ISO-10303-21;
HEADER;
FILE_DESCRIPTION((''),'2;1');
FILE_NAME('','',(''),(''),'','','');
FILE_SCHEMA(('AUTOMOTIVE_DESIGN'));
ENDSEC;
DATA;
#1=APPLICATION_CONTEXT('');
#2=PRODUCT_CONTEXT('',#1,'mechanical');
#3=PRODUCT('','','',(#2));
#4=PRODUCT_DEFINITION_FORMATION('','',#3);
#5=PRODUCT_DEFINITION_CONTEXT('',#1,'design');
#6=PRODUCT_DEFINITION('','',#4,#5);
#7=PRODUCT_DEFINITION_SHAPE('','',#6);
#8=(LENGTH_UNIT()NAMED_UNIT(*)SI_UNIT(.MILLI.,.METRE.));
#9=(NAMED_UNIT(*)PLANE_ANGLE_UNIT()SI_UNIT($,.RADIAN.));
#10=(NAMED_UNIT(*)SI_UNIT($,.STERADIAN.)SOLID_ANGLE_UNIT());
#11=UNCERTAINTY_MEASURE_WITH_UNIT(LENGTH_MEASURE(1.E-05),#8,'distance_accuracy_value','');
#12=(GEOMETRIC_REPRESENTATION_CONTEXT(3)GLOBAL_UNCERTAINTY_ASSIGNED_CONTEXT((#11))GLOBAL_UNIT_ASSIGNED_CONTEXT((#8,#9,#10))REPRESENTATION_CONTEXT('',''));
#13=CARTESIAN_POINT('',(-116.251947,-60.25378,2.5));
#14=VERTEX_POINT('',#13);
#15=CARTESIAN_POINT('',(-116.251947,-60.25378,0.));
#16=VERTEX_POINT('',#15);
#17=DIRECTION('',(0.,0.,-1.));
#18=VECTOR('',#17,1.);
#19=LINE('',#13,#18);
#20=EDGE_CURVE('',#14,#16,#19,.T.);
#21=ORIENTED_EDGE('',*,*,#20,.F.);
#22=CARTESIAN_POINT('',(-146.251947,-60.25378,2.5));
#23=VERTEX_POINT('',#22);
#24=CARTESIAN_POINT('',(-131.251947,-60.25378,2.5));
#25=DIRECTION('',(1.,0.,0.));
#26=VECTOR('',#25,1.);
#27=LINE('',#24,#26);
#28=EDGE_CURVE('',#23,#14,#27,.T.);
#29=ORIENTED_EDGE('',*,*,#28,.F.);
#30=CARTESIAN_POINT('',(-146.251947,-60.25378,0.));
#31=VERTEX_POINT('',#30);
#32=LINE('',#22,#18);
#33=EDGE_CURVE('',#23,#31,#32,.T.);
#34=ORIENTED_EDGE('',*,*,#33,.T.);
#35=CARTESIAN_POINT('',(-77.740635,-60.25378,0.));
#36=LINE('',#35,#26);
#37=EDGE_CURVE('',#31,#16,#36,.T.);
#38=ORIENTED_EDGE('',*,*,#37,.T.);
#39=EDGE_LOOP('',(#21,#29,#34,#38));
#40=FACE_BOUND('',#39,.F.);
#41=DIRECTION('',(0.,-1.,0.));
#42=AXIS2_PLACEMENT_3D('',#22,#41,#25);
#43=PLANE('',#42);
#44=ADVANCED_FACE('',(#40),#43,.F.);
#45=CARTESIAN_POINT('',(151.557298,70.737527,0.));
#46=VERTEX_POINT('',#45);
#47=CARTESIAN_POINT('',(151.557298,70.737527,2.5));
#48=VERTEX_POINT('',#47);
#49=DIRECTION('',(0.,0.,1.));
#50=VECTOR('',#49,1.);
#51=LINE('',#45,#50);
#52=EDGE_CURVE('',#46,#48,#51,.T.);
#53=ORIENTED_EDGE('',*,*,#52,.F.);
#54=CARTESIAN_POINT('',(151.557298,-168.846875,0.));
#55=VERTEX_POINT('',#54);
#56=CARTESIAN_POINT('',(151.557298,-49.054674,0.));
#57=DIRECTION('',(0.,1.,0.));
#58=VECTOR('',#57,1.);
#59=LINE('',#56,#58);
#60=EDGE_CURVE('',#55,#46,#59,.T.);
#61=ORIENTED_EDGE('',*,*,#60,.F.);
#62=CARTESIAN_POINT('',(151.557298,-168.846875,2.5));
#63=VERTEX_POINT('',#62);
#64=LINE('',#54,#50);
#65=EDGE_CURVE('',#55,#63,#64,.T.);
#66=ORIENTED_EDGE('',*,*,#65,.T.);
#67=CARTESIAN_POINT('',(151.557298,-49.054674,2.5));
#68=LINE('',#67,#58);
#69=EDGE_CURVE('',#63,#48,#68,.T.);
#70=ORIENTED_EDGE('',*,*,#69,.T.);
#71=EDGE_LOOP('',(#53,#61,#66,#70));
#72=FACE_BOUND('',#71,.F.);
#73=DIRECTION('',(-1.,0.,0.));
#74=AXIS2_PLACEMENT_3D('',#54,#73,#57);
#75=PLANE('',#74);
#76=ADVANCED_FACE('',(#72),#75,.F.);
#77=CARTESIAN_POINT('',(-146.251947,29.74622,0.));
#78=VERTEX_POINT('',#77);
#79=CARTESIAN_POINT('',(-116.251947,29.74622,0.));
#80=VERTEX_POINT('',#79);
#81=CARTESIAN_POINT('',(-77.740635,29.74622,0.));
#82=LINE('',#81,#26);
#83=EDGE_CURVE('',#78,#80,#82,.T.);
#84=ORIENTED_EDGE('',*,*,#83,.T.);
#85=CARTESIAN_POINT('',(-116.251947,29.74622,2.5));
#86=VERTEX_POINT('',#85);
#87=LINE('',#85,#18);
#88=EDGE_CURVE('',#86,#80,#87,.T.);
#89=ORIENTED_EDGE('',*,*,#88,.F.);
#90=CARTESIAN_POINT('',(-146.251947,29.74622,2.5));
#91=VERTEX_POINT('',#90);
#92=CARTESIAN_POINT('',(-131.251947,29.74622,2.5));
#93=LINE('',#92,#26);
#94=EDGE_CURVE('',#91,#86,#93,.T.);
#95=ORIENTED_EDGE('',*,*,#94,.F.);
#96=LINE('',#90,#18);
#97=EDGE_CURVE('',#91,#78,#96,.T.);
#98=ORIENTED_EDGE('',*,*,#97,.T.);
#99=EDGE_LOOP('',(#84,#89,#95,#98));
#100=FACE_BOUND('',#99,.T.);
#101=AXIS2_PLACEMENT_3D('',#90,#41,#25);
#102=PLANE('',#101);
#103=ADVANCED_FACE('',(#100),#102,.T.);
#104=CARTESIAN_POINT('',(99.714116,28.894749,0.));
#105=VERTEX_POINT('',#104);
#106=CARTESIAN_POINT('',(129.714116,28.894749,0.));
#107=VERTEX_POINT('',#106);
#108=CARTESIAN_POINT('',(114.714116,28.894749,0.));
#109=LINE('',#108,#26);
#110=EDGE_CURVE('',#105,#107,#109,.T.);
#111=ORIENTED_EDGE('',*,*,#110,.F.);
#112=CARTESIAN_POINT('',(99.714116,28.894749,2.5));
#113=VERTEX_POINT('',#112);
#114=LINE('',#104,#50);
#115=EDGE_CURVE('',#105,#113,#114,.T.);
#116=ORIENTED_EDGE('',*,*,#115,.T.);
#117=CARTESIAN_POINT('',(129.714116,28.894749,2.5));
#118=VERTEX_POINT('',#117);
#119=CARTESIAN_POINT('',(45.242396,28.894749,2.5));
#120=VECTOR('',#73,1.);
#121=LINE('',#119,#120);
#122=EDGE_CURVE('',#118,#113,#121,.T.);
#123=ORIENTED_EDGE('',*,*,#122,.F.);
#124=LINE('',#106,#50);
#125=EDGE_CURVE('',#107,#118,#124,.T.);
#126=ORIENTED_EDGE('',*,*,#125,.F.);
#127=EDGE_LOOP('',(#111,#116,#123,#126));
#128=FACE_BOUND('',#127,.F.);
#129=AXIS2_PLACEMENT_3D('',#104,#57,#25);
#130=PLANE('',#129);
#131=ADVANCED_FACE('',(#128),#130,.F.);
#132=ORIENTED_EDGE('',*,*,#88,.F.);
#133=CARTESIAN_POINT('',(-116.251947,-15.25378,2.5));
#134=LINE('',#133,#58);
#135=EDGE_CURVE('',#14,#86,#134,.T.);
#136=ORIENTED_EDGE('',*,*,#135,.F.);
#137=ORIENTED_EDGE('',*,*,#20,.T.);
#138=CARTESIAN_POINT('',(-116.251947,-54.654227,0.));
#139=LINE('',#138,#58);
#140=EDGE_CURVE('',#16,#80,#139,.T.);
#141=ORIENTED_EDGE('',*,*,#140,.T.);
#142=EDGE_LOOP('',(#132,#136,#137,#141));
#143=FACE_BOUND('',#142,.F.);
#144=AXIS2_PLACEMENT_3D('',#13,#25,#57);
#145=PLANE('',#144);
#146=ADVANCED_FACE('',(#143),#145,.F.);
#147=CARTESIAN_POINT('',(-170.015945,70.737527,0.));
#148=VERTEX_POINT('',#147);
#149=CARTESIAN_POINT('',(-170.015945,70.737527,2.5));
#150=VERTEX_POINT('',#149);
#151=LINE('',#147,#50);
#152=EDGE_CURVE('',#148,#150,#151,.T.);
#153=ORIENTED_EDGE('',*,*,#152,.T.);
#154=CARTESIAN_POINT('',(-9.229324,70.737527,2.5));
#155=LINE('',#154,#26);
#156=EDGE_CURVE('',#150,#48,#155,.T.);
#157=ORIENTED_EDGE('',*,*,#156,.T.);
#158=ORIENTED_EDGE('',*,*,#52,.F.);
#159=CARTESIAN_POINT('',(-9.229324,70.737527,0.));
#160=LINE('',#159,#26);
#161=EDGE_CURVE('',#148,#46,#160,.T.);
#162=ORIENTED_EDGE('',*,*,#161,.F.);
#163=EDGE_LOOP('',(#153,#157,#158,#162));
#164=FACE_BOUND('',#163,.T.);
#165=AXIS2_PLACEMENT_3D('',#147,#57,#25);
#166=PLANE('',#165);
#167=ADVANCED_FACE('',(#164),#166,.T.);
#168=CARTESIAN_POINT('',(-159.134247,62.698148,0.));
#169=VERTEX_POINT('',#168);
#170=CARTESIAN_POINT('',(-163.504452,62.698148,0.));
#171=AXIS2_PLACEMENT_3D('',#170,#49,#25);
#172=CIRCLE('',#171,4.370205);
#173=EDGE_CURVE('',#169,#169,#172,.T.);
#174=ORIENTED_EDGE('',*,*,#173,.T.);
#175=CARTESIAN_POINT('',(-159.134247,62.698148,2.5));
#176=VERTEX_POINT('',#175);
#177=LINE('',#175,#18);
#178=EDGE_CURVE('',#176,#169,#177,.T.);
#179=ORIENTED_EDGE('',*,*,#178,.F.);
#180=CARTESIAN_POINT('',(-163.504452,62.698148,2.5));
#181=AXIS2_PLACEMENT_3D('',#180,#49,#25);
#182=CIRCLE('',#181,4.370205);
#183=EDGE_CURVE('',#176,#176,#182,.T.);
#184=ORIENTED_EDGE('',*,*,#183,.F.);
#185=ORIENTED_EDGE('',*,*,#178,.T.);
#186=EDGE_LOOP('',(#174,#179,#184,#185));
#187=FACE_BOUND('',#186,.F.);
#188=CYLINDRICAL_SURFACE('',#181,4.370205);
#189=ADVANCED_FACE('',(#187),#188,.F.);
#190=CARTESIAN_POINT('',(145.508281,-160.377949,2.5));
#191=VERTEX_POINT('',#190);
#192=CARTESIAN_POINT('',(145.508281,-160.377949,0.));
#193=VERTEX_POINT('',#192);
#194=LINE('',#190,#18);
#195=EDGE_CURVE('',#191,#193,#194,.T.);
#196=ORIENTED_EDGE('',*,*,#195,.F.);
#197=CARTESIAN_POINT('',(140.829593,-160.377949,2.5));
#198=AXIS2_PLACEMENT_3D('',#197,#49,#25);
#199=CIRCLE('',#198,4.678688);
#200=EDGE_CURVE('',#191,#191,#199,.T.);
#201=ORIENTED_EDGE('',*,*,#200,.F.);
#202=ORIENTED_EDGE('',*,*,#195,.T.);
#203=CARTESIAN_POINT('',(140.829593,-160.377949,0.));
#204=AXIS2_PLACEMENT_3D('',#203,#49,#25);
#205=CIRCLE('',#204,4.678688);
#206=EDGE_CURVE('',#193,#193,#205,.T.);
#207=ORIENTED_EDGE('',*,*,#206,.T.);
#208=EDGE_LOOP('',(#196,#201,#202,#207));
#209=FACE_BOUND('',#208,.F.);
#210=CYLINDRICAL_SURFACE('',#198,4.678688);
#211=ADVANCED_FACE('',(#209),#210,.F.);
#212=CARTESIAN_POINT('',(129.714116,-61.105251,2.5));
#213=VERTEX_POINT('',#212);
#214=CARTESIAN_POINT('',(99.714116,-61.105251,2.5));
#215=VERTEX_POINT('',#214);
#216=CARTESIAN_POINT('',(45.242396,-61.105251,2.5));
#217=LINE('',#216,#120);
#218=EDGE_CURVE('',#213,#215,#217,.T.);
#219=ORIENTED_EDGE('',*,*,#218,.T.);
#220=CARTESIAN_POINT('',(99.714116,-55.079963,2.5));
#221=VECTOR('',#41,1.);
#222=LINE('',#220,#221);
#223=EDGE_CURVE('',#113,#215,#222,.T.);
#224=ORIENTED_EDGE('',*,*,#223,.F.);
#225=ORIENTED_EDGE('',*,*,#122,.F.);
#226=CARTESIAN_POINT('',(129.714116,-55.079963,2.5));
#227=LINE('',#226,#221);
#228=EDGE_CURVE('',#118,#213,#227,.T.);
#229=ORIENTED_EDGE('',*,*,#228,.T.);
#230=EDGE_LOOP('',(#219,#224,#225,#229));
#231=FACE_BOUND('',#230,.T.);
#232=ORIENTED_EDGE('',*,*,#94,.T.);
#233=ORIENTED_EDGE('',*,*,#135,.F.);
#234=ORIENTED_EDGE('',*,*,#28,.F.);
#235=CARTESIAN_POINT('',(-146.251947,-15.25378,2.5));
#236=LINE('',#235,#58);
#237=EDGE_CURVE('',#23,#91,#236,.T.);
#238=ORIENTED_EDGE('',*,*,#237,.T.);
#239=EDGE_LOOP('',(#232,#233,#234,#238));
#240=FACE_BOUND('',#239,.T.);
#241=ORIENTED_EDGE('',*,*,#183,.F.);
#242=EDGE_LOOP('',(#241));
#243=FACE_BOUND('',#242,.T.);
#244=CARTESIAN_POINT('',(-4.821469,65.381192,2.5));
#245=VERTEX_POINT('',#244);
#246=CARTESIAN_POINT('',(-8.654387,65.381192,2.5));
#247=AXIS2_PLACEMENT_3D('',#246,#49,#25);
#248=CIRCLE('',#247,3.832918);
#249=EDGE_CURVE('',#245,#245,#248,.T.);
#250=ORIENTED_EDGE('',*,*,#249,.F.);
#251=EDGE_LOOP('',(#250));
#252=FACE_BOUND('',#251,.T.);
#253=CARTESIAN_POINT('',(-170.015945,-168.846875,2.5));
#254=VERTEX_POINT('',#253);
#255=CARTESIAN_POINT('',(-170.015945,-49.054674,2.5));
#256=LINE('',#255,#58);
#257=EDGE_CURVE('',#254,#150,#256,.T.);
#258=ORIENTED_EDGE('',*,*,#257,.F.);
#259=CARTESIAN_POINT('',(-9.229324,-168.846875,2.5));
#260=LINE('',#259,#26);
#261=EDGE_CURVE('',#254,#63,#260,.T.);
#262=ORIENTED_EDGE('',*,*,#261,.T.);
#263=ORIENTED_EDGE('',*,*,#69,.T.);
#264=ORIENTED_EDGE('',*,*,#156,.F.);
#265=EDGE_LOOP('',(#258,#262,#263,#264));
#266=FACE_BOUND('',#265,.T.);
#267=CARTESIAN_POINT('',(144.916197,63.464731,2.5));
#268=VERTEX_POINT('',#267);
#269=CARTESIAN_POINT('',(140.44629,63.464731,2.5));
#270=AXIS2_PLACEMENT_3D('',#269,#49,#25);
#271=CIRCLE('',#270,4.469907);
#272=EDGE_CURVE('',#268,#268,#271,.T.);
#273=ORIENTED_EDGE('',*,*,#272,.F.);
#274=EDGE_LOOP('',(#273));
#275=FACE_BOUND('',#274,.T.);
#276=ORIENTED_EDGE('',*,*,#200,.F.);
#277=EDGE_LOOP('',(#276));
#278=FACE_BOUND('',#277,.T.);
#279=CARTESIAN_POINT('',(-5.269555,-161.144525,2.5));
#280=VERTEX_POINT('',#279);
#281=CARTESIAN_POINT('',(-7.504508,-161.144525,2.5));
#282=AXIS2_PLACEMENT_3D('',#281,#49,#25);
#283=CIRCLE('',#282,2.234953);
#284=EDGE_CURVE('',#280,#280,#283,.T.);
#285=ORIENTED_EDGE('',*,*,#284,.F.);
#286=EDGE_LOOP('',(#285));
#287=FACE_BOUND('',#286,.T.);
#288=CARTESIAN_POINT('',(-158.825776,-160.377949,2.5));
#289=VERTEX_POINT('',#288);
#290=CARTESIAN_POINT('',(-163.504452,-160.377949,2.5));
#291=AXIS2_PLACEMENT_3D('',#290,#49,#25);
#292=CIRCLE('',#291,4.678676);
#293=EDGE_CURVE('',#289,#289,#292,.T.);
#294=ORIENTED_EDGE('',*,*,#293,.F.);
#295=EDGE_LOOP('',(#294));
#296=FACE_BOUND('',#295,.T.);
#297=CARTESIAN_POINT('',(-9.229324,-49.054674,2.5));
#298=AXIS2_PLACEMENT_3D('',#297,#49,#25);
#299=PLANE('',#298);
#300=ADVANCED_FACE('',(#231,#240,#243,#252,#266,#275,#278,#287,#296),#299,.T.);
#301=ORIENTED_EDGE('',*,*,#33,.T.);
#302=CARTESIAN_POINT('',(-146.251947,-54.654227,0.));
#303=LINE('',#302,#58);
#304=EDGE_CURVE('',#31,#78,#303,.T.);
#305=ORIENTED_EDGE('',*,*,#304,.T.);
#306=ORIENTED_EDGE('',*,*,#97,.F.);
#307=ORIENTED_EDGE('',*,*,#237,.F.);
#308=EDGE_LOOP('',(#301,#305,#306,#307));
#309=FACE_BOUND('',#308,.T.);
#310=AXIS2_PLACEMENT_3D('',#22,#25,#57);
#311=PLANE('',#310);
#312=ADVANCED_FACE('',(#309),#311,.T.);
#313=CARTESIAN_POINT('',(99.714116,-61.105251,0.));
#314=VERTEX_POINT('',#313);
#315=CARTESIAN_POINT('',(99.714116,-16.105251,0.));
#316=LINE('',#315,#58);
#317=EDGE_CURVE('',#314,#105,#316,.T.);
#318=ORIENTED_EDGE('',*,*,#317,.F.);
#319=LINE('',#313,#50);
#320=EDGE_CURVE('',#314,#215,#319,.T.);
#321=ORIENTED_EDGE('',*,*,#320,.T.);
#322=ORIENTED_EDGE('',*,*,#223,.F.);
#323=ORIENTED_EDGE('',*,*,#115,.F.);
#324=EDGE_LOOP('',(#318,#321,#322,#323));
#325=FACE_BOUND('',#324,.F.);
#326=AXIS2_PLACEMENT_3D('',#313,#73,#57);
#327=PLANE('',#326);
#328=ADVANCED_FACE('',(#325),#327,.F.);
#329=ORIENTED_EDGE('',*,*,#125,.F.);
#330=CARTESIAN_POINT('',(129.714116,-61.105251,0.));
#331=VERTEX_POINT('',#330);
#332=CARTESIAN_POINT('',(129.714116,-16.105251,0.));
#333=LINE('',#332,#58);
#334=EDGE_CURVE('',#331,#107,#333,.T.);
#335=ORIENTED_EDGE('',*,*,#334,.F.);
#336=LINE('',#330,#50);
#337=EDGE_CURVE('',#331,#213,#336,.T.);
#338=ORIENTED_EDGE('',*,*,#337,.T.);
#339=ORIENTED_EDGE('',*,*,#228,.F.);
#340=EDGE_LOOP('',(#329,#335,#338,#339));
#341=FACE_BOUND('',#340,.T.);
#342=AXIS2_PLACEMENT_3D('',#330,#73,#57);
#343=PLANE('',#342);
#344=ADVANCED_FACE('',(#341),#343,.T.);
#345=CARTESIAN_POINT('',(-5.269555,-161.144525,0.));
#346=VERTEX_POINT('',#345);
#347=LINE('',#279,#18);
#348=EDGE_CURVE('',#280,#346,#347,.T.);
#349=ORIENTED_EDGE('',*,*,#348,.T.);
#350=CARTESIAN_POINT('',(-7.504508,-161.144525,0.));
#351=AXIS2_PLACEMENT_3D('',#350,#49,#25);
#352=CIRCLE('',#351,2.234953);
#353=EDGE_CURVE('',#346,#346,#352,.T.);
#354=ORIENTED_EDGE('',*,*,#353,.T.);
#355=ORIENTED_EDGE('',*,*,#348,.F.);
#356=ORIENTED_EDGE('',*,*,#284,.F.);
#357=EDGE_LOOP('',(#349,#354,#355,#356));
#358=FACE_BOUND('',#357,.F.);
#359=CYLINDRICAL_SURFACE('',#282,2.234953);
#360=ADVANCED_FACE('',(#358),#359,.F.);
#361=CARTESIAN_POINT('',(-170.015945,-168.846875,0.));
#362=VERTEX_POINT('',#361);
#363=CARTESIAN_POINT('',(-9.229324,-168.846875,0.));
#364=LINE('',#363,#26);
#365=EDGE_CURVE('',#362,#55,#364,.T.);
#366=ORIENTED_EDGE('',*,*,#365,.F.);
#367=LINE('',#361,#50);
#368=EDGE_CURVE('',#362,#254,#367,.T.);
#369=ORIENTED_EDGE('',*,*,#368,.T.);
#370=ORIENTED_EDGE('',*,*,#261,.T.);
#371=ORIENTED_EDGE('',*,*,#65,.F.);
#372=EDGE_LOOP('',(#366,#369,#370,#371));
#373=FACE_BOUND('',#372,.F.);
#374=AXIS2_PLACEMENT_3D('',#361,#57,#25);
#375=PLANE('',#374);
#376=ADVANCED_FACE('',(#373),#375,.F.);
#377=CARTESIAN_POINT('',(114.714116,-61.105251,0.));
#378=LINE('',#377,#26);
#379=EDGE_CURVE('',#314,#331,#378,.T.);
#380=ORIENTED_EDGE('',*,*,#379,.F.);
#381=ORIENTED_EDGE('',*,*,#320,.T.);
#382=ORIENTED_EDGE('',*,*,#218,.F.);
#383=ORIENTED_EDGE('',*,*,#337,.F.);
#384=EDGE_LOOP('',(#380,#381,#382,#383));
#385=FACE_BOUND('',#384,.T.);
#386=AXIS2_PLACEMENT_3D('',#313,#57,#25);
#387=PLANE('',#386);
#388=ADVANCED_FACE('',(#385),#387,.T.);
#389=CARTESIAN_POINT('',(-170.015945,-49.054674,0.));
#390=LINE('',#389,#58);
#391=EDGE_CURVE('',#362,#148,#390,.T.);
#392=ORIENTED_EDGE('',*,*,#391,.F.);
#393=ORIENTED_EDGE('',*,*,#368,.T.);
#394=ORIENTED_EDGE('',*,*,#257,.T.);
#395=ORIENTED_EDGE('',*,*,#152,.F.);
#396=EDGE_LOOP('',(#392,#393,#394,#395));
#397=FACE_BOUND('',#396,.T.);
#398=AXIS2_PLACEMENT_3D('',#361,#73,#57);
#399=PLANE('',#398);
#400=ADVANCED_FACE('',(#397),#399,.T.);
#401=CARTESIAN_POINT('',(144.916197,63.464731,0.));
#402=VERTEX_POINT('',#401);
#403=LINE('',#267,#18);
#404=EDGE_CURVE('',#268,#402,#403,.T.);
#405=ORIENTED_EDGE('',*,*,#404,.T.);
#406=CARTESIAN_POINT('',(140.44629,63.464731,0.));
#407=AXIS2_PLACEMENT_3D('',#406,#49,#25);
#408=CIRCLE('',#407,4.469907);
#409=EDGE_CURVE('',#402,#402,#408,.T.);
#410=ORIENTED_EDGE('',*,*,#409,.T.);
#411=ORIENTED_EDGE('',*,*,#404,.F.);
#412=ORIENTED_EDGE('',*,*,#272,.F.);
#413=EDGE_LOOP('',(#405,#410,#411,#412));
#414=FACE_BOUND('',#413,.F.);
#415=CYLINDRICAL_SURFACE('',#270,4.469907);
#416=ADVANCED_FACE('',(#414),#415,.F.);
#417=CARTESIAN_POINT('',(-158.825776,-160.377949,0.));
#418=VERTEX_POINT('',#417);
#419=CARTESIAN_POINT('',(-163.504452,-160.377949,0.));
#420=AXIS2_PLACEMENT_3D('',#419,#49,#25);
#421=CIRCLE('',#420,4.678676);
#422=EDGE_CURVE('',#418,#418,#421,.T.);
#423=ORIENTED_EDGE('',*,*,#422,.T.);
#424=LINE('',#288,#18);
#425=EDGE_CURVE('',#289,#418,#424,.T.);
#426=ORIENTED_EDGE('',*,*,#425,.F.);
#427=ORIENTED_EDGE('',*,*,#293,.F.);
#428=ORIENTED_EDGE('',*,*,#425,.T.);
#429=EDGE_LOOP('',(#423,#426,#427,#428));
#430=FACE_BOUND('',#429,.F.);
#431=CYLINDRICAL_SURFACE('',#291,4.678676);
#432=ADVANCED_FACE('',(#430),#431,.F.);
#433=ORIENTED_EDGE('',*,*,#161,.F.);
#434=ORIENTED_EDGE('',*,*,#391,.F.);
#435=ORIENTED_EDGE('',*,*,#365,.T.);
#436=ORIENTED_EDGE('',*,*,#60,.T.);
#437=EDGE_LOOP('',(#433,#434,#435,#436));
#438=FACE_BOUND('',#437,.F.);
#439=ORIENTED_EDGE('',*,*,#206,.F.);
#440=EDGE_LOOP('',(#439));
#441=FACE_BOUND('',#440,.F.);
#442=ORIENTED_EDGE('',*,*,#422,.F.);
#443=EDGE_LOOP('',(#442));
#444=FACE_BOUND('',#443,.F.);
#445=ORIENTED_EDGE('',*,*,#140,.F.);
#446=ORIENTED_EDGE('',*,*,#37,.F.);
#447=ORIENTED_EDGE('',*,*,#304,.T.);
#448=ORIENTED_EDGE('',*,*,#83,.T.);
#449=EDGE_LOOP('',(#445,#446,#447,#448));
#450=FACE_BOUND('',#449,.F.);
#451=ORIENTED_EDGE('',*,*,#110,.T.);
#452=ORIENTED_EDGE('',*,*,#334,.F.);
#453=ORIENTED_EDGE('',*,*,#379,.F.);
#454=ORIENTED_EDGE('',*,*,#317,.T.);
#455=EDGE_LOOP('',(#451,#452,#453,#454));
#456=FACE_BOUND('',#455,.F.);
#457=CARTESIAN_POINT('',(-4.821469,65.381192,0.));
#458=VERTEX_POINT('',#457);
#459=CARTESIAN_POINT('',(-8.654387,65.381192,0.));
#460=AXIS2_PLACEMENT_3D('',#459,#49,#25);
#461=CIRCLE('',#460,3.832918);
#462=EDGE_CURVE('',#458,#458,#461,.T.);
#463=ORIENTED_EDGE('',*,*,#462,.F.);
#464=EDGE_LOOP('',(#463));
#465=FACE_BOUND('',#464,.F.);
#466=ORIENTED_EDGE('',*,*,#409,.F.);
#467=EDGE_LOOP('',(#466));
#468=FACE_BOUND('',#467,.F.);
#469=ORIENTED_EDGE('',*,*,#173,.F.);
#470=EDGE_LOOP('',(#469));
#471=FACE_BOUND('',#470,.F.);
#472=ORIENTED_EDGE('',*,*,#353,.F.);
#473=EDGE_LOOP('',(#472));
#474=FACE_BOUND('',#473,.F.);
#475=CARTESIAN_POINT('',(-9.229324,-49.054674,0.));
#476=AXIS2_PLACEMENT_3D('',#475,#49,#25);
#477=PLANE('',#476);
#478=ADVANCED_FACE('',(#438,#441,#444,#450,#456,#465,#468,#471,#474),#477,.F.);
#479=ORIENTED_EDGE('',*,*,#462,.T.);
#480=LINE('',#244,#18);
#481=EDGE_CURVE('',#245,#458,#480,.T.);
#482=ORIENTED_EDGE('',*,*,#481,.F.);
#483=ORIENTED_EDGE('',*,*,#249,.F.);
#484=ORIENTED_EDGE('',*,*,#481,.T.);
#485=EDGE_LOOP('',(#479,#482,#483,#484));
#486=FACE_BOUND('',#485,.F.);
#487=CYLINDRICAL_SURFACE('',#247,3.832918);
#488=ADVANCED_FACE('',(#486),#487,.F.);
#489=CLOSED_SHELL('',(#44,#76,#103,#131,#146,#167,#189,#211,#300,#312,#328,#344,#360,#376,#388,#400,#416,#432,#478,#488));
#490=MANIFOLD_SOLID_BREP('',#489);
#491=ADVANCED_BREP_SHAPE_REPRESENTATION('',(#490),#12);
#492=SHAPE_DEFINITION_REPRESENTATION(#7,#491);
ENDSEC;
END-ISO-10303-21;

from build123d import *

# Parameters (mm, degrees)
F0_W     = 321.573243
F0_H     = 239.584401
F1_DEPTH = 2.5
F2_W     = 30
F2_H     = 90
F3_DEPTH = 30
F4_W     = 30
F4_H     = 90
F5_DEPTH = 30
F6_R     = 4.370205
F6_R_2   = 4.469907
F6_R_3   = 3.832918
F6_R_4   = 2.234953
F6_R_5   = 4.678676
F6_R_6   = 4.678688
F7_DEPTH = 30


with BuildPart() as f1:
    # F0 (on Top) → F1 (new body)
    with BuildSketch(Plane.XY):
        with Locations((-9.229324, -49.054674)):
            Rectangle(F0_W, F0_H)
    extrude(amount=F1_DEPTH)

    # F2 (on face) → F3 (cut)
    with BuildSketch(Plane.XY.offset(2.5)):
        with Locations((-131.251947, -15.25378)):
            Rectangle(F2_W, F2_H)
    extrude(amount=-F3_DEPTH, mode=Mode.SUBTRACT)

    # F4 (on Top) → F5 (cut)
    with BuildSketch(Plane.XY):
        with Locations((114.714116, -16.105251)):
            Rectangle(F4_W, F4_H)
    extrude(amount=F5_DEPTH, mode=Mode.SUBTRACT)

    # F6 (on face) → F7 (cut)
    with BuildSketch(Plane.XY.offset(2.5)):
        with Locations((-163.504452, 62.698148)):
            Circle(F6_R)
        with Locations((140.44629, 63.464731)):
            Circle(F6_R_2)
        with Locations((-8.654387, 65.381192)):
            Circle(F6_R_3)
        with Locations((-7.504508, -161.144525)):
            Circle(F6_R_4)
        with Locations((-163.504452, -160.377949)):
            Circle(F6_R_5)
        with Locations((140.829593, -160.377949)):
            Circle(F6_R_6)
    extrude(amount=-F7_DEPTH, mode=Mode.SUBTRACT)


solid = f1.part
